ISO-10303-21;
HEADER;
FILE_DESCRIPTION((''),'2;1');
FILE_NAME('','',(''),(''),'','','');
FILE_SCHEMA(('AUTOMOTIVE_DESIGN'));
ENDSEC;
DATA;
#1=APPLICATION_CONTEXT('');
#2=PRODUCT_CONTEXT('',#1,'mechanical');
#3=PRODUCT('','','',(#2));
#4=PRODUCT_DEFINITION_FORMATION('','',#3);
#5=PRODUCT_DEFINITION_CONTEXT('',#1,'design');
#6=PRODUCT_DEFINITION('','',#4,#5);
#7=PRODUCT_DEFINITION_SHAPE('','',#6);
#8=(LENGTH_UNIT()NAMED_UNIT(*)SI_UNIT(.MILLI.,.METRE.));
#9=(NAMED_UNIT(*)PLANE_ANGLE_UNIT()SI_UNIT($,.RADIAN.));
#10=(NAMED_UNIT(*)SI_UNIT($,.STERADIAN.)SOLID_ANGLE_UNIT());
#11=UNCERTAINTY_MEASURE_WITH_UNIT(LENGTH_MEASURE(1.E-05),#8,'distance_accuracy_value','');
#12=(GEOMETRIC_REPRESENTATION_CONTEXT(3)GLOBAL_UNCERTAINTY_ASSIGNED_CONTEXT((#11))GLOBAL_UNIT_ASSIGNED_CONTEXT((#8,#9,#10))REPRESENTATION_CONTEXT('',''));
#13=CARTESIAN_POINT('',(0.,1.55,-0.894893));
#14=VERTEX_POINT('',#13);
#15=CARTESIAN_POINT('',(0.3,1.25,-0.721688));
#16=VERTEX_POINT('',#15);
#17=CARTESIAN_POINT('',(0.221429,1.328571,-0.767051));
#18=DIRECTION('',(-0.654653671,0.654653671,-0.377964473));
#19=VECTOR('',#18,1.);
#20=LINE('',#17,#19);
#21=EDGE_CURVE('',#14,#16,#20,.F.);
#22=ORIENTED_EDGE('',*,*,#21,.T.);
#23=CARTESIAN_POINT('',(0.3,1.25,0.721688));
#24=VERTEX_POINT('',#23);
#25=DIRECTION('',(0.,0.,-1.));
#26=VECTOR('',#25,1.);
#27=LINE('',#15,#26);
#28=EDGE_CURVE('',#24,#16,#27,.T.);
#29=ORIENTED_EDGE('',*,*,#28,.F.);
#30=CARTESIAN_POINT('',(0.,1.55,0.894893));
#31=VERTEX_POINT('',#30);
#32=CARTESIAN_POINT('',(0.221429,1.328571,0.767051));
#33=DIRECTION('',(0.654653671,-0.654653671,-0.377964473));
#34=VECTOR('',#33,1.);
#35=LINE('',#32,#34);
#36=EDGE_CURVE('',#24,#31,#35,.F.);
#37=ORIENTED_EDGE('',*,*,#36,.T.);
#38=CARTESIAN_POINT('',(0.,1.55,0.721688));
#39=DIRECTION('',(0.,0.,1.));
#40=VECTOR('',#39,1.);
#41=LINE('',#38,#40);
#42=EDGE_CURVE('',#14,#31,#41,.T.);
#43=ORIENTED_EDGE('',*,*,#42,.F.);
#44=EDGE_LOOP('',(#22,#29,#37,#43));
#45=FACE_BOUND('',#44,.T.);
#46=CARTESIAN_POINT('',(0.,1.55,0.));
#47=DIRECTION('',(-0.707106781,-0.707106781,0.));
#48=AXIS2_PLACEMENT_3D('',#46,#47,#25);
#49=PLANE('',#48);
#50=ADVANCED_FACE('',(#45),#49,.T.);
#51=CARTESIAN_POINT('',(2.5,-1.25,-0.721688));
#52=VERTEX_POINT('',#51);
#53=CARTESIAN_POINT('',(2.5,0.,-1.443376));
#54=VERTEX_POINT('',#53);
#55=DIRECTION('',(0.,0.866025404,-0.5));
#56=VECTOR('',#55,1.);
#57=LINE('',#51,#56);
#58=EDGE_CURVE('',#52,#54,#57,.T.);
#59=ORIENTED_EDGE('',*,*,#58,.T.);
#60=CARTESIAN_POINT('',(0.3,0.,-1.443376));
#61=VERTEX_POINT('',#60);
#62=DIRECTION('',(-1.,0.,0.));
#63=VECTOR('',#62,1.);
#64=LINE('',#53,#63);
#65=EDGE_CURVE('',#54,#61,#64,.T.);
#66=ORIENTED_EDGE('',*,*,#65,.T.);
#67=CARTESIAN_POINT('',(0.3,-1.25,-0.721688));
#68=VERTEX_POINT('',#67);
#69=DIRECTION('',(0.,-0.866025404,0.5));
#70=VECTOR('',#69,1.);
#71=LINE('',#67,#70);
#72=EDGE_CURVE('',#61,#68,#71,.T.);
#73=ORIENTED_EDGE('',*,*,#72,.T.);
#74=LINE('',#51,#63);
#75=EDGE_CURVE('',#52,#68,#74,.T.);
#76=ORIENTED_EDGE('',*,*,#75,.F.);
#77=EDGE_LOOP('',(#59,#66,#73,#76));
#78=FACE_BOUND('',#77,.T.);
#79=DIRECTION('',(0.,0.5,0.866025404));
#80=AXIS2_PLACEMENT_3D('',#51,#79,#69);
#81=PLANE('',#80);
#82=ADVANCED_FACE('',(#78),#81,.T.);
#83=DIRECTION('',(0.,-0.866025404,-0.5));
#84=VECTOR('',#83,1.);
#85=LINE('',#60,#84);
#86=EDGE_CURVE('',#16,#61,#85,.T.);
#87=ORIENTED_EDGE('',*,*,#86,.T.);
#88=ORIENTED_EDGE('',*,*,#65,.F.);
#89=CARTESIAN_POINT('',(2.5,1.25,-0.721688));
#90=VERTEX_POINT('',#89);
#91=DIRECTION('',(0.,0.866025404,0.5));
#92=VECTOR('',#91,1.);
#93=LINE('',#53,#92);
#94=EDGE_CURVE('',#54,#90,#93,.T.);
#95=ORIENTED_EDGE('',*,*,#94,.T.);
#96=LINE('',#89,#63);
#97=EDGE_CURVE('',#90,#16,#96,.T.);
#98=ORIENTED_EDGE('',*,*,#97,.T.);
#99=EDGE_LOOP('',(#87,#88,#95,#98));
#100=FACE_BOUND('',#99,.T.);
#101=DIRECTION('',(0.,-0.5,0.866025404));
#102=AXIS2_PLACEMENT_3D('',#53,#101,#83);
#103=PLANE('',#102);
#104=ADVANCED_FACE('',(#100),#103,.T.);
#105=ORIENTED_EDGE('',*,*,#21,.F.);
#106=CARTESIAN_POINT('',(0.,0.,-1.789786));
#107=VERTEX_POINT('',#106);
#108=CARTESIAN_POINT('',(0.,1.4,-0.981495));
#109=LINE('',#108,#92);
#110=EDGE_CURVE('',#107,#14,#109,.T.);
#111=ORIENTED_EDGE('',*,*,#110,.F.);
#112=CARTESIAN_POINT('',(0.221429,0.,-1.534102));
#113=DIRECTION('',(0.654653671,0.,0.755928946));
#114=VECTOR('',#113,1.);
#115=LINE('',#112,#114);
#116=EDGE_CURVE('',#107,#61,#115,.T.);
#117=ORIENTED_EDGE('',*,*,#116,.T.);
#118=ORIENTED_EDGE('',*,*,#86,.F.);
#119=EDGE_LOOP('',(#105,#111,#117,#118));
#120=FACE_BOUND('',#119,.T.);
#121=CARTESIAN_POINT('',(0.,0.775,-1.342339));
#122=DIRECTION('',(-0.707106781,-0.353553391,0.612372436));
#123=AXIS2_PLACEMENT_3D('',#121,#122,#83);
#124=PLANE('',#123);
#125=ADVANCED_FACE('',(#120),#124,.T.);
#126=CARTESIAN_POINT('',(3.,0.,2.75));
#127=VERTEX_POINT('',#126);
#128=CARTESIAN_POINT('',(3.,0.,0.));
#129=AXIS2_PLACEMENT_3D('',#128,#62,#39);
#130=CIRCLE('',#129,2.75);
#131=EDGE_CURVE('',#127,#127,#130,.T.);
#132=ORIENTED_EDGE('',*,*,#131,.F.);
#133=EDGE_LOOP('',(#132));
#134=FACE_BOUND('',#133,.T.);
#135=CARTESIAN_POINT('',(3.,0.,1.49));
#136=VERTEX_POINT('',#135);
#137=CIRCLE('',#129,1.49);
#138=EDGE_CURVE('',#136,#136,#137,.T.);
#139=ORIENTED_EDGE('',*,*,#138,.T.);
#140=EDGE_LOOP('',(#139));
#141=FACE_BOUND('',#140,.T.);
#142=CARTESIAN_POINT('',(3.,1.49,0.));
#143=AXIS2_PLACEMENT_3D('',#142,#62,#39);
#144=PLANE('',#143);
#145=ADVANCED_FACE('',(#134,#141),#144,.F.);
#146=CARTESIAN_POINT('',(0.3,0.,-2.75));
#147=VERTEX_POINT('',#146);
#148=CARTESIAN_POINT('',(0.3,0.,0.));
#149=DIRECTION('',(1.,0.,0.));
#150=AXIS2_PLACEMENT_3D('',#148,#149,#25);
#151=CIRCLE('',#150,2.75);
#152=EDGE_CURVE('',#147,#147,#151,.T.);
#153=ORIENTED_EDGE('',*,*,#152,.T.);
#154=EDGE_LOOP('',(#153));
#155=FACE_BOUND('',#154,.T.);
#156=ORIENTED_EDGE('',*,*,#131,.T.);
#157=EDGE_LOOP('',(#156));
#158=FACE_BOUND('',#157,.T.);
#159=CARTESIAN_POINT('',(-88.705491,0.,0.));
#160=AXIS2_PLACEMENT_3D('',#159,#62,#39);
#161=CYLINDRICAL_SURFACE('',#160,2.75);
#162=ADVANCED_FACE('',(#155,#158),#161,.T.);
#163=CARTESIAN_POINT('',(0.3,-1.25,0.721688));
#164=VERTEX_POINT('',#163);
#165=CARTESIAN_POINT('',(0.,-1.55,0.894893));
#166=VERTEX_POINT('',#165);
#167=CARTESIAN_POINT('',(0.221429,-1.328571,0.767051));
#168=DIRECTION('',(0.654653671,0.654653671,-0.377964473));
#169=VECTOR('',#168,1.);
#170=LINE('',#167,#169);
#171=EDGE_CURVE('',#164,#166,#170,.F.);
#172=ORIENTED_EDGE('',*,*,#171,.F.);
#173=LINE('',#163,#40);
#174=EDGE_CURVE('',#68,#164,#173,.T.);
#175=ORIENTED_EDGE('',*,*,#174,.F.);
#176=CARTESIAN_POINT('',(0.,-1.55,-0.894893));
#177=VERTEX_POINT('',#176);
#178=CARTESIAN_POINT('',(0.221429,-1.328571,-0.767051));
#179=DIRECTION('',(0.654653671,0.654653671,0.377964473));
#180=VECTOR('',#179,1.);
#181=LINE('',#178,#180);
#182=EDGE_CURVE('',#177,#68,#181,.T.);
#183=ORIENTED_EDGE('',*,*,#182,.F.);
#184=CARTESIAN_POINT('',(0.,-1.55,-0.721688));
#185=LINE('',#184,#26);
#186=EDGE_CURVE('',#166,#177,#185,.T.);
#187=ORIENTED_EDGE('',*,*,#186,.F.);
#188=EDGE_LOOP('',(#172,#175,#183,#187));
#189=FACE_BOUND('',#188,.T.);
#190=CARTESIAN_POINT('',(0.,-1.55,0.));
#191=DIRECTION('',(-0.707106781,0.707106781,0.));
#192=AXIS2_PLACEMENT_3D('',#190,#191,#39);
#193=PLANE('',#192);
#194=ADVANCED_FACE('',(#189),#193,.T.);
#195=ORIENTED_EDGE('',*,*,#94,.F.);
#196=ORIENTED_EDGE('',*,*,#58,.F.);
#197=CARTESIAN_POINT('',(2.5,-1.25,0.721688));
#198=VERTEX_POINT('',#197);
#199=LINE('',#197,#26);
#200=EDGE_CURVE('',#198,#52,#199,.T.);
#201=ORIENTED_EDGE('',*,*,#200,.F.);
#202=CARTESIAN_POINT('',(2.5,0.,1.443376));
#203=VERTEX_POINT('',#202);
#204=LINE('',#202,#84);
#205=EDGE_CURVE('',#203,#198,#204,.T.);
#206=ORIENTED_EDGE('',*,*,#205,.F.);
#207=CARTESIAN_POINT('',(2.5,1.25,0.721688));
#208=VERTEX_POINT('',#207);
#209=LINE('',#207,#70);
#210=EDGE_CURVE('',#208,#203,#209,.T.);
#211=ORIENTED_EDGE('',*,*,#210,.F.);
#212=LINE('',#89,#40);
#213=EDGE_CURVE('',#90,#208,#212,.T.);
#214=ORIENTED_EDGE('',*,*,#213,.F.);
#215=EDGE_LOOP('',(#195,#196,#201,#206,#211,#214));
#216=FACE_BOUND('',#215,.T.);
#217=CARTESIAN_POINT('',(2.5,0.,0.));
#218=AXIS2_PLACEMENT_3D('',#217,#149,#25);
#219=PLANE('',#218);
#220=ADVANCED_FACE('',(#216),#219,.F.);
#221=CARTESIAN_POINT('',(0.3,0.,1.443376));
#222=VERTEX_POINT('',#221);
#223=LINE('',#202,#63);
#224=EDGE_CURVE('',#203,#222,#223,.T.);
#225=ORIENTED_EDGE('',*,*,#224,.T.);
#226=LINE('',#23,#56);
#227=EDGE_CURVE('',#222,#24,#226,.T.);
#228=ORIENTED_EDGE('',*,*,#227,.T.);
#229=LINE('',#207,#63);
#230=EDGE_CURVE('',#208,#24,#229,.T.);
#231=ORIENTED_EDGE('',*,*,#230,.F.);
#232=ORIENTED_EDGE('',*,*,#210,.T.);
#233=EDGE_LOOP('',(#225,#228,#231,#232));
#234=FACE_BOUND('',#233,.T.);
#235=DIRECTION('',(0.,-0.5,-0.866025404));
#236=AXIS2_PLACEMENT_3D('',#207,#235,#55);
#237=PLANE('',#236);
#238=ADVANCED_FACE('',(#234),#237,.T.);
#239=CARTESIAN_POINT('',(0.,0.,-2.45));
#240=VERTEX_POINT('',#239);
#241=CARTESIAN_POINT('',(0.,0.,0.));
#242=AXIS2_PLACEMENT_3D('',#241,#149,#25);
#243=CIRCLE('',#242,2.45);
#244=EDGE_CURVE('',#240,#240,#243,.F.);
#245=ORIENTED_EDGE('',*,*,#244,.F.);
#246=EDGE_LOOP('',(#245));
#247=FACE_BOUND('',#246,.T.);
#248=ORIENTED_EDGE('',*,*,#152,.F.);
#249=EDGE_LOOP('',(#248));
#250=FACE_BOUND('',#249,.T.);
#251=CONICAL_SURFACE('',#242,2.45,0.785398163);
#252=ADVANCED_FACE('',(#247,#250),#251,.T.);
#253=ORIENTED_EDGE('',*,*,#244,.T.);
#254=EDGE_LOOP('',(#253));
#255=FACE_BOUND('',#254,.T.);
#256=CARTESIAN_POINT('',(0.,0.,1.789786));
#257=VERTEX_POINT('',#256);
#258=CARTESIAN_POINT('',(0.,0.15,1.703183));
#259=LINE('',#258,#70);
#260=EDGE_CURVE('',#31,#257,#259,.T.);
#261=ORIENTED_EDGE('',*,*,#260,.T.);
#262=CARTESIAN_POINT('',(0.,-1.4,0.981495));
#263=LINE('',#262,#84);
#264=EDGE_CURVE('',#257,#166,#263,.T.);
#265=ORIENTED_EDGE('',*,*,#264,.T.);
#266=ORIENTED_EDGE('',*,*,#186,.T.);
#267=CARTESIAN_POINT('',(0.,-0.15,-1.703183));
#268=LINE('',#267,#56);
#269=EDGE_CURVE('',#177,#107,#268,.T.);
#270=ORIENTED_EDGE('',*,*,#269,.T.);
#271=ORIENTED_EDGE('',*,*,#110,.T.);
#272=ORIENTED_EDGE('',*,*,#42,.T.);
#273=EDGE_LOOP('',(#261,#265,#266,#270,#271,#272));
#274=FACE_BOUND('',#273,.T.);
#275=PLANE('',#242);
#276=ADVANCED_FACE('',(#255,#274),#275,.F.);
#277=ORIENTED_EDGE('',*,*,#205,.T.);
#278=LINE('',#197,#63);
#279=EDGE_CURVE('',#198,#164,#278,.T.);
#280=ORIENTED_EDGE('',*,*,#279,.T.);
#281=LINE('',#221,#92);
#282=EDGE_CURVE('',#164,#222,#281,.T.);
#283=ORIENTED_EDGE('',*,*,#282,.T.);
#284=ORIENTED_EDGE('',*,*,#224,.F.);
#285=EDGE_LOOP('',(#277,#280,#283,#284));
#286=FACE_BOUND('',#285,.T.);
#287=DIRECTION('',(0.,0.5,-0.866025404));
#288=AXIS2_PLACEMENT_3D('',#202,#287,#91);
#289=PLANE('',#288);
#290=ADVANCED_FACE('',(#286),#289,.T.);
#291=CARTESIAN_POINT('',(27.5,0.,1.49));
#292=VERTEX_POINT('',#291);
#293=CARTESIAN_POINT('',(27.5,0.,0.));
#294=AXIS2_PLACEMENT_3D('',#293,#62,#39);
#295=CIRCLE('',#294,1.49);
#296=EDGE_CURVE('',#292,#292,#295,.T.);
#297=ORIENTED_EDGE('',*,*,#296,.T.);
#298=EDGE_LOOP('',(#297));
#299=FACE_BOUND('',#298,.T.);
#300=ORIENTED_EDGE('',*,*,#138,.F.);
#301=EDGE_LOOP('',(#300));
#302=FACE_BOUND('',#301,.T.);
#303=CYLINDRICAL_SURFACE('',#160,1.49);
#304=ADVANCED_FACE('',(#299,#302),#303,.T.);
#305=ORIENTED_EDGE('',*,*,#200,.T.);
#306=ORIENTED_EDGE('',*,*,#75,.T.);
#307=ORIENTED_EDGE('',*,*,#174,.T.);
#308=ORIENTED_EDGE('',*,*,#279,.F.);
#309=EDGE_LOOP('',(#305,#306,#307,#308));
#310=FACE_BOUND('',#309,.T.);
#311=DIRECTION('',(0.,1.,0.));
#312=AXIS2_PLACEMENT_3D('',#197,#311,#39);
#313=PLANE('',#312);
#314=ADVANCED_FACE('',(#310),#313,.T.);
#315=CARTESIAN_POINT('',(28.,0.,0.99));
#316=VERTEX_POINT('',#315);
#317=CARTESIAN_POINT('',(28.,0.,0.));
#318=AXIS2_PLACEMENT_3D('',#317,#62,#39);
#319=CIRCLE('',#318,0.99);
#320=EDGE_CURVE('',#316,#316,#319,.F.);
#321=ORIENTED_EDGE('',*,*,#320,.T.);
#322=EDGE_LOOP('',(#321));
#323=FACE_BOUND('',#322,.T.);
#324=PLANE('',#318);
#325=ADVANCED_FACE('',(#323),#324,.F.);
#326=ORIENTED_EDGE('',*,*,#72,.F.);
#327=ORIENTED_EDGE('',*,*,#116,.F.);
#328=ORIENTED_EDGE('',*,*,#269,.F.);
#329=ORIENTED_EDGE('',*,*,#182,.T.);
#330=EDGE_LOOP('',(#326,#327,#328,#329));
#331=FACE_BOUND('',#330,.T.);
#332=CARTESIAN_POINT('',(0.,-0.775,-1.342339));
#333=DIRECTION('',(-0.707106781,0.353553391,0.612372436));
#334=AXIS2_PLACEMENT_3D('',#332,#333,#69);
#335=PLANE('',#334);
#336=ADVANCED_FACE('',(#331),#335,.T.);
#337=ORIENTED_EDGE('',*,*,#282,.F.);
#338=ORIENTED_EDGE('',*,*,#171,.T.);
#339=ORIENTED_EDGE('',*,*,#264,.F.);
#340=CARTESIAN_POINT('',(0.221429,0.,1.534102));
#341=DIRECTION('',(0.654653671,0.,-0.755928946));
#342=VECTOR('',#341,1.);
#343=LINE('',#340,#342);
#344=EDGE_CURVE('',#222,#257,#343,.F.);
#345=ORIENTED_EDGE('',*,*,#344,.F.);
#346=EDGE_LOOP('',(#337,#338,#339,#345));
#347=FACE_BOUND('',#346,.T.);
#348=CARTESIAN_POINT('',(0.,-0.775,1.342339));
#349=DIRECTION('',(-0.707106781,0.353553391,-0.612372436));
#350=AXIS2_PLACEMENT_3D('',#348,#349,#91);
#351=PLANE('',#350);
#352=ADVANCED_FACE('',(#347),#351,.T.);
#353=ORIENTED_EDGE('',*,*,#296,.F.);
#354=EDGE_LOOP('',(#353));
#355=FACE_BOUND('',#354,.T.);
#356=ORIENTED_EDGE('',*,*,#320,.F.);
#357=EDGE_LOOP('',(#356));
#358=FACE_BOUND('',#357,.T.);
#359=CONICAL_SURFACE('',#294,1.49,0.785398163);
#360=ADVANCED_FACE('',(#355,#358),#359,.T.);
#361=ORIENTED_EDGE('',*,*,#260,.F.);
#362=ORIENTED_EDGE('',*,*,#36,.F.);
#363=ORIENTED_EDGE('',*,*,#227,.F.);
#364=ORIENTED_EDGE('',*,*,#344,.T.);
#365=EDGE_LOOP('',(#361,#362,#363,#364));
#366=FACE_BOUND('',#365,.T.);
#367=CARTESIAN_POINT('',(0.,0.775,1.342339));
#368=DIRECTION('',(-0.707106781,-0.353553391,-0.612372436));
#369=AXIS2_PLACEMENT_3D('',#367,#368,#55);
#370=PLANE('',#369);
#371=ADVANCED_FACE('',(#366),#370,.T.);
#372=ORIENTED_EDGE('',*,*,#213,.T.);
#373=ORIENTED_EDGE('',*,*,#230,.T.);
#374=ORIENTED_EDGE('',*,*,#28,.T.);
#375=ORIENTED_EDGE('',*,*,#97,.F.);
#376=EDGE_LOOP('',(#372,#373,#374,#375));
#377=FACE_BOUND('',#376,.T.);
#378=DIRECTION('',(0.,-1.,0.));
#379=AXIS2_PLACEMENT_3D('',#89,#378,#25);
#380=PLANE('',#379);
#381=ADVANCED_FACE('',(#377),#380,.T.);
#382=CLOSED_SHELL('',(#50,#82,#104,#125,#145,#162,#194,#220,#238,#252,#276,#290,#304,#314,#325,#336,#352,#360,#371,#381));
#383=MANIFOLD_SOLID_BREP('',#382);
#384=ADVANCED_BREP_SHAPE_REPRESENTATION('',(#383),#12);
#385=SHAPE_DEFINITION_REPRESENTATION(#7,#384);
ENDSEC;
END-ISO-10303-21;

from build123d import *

# Parameters (mm, degrees)
CHAMFER1_SIZE      = 0.5
CHAMFER2_SIZE      = 0.3
CUT_EXTRUDE1_DEPTH = 2.5
CHAMFER3_SIZE      = 0.3


with BuildPart() as part:
    # Sketch1 → Revolve1 (revolve)
    with BuildSketch(Plane.XY):
        Polygon((0, 0), (0, 2.75), (3, 2.75), (3, 1.49), (28, 1.49), (28, 0), align=None)
    revolve(axis=Axis((-88.705490849, 0, 0), (1, 0, 0)))

    # Chamfer1
    chamfer1_edges = [part.edges().sort_by_distance(p)[0] for p in [
        (28, -1.49, 0),
    ]]
    chamfer(chamfer1_edges, length=CHAMFER1_SIZE)

    # Chamfer2
    chamfer2_edges = [part.edges().sort_by_distance(p)[0] for p in [
        (0, -2.75, 0),
    ]]
    chamfer(chamfer2_edges, length=CHAMFER2_SIZE)

    # Sketch3 → Cut-Extrude1 (cut)
    with BuildSketch(Plane(origin=(0, 0, 0), x_dir=(0, 0, -1), z_dir=(1, 0, 0))):
        Polygon((-1.443375673, 0), (-0.721687836, -1.25), (0.721687836, -1.25), (1.443375673, 0), (0.721687836, 1.25), (-0.721687836, 1.25), align=None)
    extrude(amount=CUT_EXTRUDE1_DEPTH, mode=Mode.SUBTRACT)

    # Chamfer3
    chamfer3_edges = [part.edges().sort_by_distance(p)[0] for p in [
        (0, 0.625, 1.082531755),
        (0, -0.625, 1.082531755),
        (0, -1.25, 0),
        (0, -0.625, -1.082531755),
        (0, 0.625, -1.082531755),
        (0, 1.25, 0),
    ]]
    chamfer(chamfer3_edges, length=CHAMFER3_SIZE)


solid = part.part
